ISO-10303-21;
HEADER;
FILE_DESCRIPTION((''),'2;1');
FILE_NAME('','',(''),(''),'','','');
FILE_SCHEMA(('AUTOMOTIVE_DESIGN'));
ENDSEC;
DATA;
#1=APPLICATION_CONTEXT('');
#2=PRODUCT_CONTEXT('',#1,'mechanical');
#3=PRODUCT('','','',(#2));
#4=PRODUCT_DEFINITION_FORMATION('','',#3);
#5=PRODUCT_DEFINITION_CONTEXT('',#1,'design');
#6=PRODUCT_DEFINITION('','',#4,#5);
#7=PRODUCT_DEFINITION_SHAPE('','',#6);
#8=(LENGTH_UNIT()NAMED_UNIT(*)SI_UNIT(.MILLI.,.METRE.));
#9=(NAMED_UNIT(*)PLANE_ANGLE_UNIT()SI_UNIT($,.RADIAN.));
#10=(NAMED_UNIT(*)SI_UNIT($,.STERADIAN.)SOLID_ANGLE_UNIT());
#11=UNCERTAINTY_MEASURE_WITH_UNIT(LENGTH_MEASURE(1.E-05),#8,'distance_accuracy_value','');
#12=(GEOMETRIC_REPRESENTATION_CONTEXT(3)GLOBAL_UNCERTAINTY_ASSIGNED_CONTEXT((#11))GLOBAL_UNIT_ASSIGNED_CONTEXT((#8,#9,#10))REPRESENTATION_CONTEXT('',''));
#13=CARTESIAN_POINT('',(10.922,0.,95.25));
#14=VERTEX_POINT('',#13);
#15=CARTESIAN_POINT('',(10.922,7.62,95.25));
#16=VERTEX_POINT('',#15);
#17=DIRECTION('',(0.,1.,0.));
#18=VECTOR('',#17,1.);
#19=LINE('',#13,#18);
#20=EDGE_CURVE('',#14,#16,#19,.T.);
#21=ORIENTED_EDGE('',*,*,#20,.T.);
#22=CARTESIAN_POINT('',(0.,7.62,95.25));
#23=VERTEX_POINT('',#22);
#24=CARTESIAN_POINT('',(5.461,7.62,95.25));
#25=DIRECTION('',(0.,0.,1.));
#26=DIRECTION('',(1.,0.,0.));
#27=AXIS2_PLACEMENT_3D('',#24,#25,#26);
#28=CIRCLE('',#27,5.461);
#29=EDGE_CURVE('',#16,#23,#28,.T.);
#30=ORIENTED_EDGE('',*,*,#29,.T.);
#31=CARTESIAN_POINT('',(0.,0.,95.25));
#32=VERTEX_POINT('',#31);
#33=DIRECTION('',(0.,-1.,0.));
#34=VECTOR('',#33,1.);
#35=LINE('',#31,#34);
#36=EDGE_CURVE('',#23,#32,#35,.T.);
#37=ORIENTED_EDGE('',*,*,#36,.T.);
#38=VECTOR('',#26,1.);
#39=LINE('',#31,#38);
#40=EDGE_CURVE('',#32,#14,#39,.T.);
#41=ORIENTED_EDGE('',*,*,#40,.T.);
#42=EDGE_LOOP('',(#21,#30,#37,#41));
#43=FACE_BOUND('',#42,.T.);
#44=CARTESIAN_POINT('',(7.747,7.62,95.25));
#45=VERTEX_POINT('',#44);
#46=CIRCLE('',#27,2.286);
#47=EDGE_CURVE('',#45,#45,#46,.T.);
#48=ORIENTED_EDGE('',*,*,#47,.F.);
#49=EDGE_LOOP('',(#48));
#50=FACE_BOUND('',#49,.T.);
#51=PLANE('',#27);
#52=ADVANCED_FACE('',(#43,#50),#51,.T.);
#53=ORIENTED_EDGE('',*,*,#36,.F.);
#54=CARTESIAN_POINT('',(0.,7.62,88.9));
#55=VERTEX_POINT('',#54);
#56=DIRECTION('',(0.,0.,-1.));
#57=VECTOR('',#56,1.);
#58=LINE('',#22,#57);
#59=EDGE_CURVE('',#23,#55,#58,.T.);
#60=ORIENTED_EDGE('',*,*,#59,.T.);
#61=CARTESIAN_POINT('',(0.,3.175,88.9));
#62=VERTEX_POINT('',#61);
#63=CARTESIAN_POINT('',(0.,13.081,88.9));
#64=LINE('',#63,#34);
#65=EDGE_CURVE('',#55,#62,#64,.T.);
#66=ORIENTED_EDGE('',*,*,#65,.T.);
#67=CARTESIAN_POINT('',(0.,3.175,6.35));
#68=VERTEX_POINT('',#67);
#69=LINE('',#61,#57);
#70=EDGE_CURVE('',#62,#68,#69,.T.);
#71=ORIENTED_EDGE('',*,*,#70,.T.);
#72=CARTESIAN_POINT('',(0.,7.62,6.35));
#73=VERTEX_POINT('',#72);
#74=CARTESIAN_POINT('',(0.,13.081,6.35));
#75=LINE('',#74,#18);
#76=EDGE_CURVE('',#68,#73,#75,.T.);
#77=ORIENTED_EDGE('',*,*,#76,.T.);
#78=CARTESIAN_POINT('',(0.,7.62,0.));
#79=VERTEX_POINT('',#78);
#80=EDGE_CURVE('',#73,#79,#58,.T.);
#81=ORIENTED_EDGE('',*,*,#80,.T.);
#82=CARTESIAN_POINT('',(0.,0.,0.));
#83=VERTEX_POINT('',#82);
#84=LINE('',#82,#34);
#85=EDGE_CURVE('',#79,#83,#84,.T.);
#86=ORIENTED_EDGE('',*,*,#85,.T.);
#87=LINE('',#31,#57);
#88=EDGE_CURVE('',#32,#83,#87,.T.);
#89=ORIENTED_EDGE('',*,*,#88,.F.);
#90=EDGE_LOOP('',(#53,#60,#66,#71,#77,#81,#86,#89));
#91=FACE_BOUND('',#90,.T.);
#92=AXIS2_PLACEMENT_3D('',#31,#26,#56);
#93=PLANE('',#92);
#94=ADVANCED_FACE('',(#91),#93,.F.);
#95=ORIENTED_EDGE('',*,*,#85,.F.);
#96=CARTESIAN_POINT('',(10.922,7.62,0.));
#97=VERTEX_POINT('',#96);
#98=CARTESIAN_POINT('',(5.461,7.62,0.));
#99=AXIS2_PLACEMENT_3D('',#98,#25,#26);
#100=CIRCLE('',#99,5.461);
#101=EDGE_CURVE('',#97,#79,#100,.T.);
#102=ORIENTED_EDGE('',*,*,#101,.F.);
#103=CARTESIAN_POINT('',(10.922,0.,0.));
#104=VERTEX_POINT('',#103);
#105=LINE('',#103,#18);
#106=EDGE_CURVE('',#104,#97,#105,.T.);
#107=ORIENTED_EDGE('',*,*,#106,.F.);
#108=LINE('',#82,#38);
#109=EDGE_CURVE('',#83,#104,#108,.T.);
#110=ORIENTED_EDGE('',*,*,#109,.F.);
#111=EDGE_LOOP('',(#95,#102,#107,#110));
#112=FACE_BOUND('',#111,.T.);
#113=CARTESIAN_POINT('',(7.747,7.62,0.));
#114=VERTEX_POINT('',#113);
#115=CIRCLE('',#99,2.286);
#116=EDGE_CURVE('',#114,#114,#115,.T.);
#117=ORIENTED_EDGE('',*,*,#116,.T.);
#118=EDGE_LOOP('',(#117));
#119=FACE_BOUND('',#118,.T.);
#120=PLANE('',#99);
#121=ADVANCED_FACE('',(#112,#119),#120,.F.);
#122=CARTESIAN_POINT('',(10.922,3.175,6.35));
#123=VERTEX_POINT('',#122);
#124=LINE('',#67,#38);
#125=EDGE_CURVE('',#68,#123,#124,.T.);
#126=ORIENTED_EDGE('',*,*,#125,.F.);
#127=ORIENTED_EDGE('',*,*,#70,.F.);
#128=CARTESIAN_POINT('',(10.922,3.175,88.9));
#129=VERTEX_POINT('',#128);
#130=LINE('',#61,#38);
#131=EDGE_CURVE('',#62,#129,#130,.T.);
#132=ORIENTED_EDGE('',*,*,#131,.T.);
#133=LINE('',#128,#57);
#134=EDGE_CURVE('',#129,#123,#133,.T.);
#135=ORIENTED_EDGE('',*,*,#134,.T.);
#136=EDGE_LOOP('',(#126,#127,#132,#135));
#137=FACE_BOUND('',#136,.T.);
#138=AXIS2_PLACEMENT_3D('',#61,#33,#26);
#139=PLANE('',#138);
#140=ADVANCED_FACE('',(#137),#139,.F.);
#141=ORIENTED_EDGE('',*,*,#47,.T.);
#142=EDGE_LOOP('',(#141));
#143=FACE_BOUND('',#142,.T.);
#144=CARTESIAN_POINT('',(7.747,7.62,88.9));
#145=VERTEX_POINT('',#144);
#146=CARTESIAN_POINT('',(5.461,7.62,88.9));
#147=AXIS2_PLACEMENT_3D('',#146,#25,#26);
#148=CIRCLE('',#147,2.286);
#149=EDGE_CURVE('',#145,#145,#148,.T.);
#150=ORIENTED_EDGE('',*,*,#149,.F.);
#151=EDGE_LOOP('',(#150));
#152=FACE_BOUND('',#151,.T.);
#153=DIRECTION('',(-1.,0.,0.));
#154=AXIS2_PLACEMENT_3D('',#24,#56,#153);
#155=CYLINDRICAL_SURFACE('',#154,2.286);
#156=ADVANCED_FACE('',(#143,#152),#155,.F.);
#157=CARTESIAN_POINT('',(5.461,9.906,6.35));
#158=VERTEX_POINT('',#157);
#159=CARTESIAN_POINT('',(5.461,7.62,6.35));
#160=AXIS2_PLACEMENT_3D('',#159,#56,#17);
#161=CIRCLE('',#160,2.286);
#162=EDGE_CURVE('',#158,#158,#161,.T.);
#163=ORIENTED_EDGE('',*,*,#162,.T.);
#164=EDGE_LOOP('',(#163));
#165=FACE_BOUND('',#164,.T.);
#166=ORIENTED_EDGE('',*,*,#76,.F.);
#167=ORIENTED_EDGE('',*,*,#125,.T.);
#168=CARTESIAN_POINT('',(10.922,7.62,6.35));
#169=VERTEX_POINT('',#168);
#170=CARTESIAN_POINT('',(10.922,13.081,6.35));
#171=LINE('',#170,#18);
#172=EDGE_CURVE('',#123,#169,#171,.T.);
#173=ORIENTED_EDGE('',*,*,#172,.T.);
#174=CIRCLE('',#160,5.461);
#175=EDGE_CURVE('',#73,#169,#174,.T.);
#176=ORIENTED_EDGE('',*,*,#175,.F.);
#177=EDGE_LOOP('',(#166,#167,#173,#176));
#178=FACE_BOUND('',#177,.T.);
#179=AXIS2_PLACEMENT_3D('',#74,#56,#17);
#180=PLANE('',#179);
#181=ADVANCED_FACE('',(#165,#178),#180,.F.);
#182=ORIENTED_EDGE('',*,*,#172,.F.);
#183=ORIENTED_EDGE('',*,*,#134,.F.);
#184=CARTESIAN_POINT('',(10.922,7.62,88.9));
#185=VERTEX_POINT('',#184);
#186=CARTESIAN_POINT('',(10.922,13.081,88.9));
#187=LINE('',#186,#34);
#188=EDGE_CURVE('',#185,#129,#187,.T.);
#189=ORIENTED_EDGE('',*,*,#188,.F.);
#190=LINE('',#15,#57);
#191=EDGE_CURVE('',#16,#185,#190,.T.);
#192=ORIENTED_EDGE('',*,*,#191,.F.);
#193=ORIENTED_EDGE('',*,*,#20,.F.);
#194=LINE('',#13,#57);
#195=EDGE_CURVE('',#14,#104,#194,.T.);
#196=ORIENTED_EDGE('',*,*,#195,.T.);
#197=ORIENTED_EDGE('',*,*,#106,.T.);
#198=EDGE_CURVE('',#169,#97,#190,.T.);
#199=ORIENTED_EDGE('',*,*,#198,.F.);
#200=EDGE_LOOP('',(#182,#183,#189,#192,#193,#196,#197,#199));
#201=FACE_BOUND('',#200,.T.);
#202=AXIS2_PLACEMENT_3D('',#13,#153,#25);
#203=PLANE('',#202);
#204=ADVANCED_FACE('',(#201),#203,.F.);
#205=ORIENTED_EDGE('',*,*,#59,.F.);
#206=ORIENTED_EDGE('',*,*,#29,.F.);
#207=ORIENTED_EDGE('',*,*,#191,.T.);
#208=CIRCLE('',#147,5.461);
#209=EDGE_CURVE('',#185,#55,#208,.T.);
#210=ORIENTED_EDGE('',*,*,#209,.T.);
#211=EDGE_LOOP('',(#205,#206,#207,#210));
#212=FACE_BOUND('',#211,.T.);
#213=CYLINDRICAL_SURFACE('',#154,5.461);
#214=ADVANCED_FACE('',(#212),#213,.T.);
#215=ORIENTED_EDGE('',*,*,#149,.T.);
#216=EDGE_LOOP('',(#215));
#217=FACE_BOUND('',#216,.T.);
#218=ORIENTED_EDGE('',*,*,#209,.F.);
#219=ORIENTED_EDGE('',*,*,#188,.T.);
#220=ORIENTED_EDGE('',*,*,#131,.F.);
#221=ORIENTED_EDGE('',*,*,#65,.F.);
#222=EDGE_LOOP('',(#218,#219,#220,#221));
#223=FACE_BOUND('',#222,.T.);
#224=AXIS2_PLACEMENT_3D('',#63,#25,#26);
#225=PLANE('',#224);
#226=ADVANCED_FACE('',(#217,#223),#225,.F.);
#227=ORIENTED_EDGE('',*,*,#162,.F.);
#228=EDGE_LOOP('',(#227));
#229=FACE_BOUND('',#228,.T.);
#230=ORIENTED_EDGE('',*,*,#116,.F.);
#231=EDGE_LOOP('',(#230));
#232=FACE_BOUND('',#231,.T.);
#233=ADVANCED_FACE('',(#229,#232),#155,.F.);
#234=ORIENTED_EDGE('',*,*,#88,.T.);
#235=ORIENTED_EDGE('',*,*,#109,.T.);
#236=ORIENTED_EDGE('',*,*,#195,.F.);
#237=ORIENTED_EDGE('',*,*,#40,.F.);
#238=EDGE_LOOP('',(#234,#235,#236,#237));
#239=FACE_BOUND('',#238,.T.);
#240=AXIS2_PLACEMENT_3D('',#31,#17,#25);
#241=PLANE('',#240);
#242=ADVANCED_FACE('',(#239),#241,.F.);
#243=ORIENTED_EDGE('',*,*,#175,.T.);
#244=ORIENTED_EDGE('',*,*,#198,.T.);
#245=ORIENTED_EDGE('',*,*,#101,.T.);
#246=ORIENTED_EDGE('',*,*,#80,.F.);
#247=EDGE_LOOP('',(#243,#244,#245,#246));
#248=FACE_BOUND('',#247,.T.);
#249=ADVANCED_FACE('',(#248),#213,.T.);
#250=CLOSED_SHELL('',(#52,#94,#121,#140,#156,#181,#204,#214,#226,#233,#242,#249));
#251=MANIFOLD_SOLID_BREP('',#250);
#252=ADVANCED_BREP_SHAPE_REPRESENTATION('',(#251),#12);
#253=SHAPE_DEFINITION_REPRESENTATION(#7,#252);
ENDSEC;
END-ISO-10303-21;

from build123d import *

# Parameters (mm, degrees)
SKETCH1_R           = 2.286
BOSS_EXTRUDE1_DEPTH = 95.25
SKETCH2_W           = 82.55
SKETCH2_H           = 9.906
CUT_EXTRUDE1_DEPTH  = 11.922


with BuildPart() as part:
    # Sketch1 → Boss-Extrude1 (new body)
    with BuildSketch(Plane.XY):
        with BuildLine():
            Line((0, 0), (10.922, 0))
            Line((10.922, 0), (10.922, 7.62))
            ThreePointArc((10.922, 7.62), (5.461, 13.081), (0, 7.62))
            Line((0, 7.62), (0, 0))
        make_face()
        with Locations((5.461, 7.62)):
            Circle(SKETCH1_R, mode=Mode.SUBTRACT)
    extrude(amount=BOSS_EXTRUDE1_DEPTH)

    # Sketch2 → Cut-Extrude1 (cut, through all)
    with BuildSketch(Plane(origin=(10.922, 0, 0), x_dir=(0, 0, -1), z_dir=(1, 0, 0))):
        with Locations((-47.625, 8.128)):
            Rectangle(SKETCH2_W, SKETCH2_H)
    extrude(amount=-CUT_EXTRUDE1_DEPTH, mode=Mode.SUBTRACT)


solid = part.part
